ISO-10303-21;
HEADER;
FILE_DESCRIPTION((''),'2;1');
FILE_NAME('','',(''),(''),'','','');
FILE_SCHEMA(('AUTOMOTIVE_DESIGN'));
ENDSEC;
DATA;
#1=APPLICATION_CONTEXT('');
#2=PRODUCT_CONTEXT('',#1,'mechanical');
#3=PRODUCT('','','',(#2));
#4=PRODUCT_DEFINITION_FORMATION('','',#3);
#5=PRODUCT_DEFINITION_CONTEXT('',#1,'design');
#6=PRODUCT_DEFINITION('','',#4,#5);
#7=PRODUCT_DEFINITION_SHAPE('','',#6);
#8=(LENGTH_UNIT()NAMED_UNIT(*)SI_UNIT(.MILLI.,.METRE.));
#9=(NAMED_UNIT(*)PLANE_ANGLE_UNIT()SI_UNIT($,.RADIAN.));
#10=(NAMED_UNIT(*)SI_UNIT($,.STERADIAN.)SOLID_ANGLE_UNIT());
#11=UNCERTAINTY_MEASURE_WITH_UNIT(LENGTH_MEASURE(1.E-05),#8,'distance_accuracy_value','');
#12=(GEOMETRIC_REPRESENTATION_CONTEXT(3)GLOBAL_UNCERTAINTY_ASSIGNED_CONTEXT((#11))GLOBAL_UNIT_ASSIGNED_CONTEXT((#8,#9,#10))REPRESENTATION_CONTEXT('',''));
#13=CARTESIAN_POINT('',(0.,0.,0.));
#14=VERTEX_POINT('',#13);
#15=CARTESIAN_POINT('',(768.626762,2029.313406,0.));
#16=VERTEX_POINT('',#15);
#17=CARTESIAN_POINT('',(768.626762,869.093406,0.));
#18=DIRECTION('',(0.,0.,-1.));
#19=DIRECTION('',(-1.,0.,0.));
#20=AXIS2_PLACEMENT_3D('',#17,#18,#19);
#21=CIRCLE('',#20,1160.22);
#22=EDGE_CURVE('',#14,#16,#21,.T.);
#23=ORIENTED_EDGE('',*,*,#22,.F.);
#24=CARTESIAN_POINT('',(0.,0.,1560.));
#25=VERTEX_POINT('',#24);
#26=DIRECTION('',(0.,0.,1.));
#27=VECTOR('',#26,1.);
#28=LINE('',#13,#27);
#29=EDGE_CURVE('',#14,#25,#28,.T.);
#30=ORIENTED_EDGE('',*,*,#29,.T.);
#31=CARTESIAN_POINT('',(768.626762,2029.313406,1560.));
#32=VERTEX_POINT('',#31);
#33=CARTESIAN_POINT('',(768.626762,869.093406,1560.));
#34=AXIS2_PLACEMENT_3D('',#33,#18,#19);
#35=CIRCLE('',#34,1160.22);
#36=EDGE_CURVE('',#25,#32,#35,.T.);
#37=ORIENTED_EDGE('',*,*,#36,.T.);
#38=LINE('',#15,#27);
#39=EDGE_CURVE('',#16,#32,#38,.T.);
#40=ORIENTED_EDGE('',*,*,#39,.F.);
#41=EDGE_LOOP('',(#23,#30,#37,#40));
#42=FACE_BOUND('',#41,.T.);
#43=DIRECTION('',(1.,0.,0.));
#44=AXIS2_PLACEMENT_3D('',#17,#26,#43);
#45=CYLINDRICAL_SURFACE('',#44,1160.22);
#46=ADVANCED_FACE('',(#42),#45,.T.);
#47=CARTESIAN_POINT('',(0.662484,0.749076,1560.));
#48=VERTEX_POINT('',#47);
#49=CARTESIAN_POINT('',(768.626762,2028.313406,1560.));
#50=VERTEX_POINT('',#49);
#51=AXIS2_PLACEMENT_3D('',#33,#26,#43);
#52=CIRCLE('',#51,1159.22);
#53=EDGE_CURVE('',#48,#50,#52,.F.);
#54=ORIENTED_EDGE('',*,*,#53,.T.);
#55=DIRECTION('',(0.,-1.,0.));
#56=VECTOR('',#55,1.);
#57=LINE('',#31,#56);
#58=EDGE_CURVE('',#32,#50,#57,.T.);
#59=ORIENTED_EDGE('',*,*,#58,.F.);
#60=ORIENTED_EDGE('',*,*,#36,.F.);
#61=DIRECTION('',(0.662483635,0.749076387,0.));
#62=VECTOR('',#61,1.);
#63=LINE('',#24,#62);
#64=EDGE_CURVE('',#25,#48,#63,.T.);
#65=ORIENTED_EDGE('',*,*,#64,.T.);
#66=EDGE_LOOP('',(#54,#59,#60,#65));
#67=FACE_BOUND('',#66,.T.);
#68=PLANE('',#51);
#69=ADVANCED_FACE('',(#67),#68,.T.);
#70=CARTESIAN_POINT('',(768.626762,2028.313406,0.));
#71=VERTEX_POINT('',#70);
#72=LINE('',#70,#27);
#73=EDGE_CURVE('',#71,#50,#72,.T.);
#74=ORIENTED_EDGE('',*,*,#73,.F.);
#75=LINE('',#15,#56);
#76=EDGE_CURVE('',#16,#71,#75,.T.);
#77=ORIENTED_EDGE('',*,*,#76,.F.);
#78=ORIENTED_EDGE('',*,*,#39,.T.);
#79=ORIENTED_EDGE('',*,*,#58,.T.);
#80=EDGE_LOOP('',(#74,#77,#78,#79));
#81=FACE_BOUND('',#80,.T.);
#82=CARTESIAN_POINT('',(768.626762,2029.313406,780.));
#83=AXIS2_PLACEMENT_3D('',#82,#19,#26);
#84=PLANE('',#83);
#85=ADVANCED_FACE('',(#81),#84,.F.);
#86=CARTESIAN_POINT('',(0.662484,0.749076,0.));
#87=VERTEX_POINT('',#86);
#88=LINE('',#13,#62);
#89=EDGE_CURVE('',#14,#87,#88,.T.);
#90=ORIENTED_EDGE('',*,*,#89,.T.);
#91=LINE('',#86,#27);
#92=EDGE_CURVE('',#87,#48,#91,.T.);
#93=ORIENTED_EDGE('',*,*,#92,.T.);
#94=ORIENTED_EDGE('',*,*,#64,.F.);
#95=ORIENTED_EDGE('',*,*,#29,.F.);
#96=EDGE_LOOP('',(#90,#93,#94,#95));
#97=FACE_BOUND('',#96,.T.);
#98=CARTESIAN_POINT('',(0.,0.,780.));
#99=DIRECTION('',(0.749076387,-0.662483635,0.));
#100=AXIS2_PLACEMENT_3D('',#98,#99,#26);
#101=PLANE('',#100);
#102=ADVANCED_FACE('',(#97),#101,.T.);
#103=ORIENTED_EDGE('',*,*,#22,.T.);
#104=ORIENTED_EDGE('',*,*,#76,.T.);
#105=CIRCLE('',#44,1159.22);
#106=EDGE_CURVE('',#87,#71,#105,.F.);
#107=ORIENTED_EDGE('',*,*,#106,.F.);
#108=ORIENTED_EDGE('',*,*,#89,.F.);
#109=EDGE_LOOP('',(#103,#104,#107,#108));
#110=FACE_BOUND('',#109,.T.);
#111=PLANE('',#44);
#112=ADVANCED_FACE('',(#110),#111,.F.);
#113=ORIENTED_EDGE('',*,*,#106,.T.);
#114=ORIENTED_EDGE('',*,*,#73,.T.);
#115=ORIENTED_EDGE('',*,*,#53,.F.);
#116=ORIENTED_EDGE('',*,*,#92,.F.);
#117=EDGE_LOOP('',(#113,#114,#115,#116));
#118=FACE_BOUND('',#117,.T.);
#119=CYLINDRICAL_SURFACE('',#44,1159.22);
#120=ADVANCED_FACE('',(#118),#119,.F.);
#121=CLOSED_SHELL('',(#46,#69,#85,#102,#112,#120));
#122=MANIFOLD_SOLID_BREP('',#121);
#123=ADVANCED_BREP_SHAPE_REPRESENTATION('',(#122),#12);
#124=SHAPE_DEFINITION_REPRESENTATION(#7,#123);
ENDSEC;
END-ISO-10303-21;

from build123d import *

# Parameters (mm, degrees)
SURFACE_EXTRUDE1_1_DEPTH = 1560
THICKEN1_T2              = 1


with BuildPart() as body_1:
    # Surface-Extrude1: a surface, the sketch's curves swept straight by 1560 mm
    with BuildLine(Plane.XY, mode=Mode.PRIVATE) as surface_extrude1_1_path:
        ThreePointArc((0, 0), (-316.373237578, 1280.050153681), (768.626762422, 2029.313406078))
    surface_extrude1_1 = Shell.extrude(surface_extrude1_1_path.wire(), (0 * SURFACE_EXTRUDE1_1_DEPTH, 0 * SURFACE_EXTRUDE1_1_DEPTH, 1 * SURFACE_EXTRUDE1_1_DEPTH))
    add(Solid.thicken(surface_extrude1_1, -THICKEN1_T2))


solid = body_1.part
